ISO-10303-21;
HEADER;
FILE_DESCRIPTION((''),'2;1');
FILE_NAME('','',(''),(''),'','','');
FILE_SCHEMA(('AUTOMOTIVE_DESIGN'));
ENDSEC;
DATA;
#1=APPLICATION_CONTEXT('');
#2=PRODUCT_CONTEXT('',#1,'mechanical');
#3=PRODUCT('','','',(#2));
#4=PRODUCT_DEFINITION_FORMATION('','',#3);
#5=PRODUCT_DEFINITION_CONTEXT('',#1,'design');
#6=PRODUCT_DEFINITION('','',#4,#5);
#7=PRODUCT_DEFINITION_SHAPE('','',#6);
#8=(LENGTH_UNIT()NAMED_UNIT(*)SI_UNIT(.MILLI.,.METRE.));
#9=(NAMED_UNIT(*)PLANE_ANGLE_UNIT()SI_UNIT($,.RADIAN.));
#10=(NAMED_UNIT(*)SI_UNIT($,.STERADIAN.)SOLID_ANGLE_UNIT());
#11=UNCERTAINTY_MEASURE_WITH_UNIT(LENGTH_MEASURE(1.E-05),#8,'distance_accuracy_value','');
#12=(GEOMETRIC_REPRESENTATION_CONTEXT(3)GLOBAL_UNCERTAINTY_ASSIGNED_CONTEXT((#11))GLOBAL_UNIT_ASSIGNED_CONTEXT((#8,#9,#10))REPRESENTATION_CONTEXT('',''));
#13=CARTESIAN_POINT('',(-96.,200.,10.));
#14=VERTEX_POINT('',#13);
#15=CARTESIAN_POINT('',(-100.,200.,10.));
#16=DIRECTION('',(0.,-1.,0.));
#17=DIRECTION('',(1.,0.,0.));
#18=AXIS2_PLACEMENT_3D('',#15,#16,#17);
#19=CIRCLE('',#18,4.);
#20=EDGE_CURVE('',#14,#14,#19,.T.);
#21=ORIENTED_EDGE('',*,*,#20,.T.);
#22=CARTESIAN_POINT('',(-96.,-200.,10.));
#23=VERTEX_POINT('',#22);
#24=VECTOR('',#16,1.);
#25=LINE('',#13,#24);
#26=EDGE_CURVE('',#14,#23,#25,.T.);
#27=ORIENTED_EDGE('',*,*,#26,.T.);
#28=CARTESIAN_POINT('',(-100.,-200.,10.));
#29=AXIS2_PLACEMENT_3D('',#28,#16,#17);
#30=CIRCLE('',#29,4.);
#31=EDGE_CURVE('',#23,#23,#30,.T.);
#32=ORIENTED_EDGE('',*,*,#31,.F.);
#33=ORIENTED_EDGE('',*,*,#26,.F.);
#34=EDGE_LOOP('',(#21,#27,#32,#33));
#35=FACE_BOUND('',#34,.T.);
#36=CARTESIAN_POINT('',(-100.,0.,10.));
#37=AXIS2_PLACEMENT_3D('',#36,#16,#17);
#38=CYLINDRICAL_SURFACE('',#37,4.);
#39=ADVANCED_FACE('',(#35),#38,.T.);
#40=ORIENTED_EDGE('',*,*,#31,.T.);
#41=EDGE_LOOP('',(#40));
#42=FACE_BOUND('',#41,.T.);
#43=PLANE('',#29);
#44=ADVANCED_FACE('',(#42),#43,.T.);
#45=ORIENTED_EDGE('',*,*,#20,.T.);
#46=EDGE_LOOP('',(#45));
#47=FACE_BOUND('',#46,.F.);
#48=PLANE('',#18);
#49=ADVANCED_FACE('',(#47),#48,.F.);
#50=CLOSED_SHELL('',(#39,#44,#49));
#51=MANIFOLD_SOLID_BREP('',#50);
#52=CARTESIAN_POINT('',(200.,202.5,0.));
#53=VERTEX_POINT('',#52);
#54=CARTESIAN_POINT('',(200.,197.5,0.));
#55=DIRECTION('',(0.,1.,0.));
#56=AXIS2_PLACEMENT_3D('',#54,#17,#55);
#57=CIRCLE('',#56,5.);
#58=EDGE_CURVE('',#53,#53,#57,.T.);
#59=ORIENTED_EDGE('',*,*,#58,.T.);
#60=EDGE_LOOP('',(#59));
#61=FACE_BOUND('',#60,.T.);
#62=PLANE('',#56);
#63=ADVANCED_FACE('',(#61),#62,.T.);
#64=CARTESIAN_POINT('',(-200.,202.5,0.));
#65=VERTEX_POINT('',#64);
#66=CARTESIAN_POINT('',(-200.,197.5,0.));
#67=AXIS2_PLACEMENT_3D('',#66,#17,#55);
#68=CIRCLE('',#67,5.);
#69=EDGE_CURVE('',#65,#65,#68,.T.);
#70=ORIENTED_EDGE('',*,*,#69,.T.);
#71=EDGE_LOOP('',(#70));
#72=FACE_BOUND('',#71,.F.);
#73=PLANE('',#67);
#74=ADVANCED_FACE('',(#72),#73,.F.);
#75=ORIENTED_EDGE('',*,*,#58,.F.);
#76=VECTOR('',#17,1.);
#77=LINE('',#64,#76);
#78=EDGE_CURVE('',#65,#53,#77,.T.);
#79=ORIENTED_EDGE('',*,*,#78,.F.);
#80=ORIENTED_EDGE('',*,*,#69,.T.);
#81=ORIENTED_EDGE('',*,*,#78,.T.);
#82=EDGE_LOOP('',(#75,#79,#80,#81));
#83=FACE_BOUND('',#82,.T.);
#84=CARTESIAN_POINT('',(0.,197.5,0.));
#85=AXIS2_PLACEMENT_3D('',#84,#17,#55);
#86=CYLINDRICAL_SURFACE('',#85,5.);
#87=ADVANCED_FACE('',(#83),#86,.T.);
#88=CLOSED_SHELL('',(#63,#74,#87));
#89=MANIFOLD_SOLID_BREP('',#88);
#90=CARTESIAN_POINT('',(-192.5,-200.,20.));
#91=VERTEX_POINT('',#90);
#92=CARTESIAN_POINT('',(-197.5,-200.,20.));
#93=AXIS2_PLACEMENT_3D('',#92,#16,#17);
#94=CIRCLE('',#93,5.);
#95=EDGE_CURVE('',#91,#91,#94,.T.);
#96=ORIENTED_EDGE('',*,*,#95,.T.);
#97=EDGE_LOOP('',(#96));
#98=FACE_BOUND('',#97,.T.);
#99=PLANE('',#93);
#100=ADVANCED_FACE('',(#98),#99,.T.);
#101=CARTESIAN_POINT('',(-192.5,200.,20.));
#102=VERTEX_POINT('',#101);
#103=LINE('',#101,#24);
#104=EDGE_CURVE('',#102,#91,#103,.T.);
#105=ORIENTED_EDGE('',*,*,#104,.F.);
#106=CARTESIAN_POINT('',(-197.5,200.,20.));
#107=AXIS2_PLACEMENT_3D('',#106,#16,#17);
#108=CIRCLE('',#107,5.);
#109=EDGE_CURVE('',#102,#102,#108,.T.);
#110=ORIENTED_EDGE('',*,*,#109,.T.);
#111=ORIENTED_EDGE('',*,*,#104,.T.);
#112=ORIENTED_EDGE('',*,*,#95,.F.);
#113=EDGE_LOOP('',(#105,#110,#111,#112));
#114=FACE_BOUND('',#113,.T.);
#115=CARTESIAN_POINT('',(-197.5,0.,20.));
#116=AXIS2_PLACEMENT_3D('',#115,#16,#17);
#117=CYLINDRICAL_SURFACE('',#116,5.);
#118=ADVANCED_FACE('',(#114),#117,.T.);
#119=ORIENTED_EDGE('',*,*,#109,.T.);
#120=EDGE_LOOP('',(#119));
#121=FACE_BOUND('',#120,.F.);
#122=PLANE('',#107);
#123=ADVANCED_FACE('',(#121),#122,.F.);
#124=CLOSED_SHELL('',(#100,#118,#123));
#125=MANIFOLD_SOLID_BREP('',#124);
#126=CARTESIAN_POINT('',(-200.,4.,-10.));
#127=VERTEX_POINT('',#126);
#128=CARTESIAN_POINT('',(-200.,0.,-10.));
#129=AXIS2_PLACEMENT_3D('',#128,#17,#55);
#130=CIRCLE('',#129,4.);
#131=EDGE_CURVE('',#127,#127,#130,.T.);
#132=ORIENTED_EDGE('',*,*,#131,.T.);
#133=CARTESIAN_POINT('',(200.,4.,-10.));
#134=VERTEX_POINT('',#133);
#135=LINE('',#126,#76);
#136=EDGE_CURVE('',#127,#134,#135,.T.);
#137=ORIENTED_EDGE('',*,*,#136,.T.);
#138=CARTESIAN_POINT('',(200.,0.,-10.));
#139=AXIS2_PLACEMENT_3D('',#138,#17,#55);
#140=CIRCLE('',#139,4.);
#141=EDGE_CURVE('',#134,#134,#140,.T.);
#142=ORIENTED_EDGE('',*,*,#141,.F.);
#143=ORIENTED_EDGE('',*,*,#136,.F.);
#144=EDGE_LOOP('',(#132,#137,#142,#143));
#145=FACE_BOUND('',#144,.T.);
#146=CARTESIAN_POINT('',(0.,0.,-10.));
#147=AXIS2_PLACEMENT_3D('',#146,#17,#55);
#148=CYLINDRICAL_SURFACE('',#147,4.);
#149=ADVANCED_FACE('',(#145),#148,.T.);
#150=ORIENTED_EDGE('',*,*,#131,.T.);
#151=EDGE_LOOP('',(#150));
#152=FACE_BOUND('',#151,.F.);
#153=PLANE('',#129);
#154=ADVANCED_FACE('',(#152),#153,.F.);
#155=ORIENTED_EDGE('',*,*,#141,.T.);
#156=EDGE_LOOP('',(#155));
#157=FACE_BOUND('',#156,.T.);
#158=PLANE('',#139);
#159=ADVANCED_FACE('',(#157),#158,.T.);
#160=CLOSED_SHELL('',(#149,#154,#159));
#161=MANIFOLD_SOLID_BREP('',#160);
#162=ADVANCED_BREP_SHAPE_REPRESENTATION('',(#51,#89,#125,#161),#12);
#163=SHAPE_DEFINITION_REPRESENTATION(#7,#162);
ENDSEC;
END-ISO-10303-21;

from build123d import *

# Parameters (mm, degrees)
F0_R     = 5
F1_DEPTH = 200
F2_R     = 5
F3_DEPTH = 200
F4_R     = 4
F5_DEPTH = 200
F6_R     = 4
F7_DEPTH = 200


with BuildPart() as f1:
    # F0 (on Front) → F1 (new body, symmetric)
    with BuildSketch(Plane.XZ):
        with Locations((-197.5, 20)):
            Circle(F0_R)
    extrude(amount=F1_DEPTH, both=True)


with BuildPart() as f1b:
    # F0 (on Front) → F1, piece 2 (new body, symmetric)
    with BuildSketch(Plane.XZ):
        with Locations((-197.5, -20)):
            Circle(F0_R)
    extrude(amount=F1_DEPTH, both=True)


with BuildPart() as f1c:
    # F0 (on Front) → F1, piece 3 (new body, symmetric)
    with BuildSketch(Plane.XZ):
        with Locations((197.5, -20)):
            Circle(F0_R)
    extrude(amount=F1_DEPTH, both=True)


with BuildPart() as f1d:
    # F0 (on Front) → F1, piece 4 (new body, symmetric)
    with BuildSketch(Plane.XZ):
        with Locations((197.5, 20)):
            Circle(F0_R)
    extrude(amount=F1_DEPTH, both=True)


with BuildPart() as f3:
    # F2 (on Right) → F3 (new body, symmetric)
    with BuildSketch(Plane.YZ):
        with Locations((-197.5, 0)):
            Circle(F2_R)
    extrude(amount=F3_DEPTH, both=True)


with BuildPart() as f3b:
    # F2 (on Right) → F3, piece 2 (new body, symmetric)
    with BuildSketch(Plane.YZ):
        with Locations((197.5, 0)):
            Circle(F2_R)
    extrude(amount=F3_DEPTH, both=True)


with BuildPart() as f5:
    # F4 (on Front) → F5 (new body, symmetric)
    with BuildSketch(Plane.XZ):
        with Locations((-100, 10)):
            Circle(F4_R)
    extrude(amount=F5_DEPTH, both=True)


with BuildPart() as f5b:
    # F4 (on Front) → F5, piece 2 (new body, symmetric)
    with BuildSketch(Plane.XZ):
        with Locations((100, 10)):
            Circle(F4_R)
    extrude(amount=F5_DEPTH, both=True)


with BuildPart() as f7:
    # F6 (on Right) → F7 (new body, symmetric)
    with BuildSketch(Plane.YZ):
        with Locations((0, -10)):
            Circle(F6_R)
    extrude(amount=F7_DEPTH, both=True)


solid = Compound([f1.part, f3b.part, f5.part, f7.part])
